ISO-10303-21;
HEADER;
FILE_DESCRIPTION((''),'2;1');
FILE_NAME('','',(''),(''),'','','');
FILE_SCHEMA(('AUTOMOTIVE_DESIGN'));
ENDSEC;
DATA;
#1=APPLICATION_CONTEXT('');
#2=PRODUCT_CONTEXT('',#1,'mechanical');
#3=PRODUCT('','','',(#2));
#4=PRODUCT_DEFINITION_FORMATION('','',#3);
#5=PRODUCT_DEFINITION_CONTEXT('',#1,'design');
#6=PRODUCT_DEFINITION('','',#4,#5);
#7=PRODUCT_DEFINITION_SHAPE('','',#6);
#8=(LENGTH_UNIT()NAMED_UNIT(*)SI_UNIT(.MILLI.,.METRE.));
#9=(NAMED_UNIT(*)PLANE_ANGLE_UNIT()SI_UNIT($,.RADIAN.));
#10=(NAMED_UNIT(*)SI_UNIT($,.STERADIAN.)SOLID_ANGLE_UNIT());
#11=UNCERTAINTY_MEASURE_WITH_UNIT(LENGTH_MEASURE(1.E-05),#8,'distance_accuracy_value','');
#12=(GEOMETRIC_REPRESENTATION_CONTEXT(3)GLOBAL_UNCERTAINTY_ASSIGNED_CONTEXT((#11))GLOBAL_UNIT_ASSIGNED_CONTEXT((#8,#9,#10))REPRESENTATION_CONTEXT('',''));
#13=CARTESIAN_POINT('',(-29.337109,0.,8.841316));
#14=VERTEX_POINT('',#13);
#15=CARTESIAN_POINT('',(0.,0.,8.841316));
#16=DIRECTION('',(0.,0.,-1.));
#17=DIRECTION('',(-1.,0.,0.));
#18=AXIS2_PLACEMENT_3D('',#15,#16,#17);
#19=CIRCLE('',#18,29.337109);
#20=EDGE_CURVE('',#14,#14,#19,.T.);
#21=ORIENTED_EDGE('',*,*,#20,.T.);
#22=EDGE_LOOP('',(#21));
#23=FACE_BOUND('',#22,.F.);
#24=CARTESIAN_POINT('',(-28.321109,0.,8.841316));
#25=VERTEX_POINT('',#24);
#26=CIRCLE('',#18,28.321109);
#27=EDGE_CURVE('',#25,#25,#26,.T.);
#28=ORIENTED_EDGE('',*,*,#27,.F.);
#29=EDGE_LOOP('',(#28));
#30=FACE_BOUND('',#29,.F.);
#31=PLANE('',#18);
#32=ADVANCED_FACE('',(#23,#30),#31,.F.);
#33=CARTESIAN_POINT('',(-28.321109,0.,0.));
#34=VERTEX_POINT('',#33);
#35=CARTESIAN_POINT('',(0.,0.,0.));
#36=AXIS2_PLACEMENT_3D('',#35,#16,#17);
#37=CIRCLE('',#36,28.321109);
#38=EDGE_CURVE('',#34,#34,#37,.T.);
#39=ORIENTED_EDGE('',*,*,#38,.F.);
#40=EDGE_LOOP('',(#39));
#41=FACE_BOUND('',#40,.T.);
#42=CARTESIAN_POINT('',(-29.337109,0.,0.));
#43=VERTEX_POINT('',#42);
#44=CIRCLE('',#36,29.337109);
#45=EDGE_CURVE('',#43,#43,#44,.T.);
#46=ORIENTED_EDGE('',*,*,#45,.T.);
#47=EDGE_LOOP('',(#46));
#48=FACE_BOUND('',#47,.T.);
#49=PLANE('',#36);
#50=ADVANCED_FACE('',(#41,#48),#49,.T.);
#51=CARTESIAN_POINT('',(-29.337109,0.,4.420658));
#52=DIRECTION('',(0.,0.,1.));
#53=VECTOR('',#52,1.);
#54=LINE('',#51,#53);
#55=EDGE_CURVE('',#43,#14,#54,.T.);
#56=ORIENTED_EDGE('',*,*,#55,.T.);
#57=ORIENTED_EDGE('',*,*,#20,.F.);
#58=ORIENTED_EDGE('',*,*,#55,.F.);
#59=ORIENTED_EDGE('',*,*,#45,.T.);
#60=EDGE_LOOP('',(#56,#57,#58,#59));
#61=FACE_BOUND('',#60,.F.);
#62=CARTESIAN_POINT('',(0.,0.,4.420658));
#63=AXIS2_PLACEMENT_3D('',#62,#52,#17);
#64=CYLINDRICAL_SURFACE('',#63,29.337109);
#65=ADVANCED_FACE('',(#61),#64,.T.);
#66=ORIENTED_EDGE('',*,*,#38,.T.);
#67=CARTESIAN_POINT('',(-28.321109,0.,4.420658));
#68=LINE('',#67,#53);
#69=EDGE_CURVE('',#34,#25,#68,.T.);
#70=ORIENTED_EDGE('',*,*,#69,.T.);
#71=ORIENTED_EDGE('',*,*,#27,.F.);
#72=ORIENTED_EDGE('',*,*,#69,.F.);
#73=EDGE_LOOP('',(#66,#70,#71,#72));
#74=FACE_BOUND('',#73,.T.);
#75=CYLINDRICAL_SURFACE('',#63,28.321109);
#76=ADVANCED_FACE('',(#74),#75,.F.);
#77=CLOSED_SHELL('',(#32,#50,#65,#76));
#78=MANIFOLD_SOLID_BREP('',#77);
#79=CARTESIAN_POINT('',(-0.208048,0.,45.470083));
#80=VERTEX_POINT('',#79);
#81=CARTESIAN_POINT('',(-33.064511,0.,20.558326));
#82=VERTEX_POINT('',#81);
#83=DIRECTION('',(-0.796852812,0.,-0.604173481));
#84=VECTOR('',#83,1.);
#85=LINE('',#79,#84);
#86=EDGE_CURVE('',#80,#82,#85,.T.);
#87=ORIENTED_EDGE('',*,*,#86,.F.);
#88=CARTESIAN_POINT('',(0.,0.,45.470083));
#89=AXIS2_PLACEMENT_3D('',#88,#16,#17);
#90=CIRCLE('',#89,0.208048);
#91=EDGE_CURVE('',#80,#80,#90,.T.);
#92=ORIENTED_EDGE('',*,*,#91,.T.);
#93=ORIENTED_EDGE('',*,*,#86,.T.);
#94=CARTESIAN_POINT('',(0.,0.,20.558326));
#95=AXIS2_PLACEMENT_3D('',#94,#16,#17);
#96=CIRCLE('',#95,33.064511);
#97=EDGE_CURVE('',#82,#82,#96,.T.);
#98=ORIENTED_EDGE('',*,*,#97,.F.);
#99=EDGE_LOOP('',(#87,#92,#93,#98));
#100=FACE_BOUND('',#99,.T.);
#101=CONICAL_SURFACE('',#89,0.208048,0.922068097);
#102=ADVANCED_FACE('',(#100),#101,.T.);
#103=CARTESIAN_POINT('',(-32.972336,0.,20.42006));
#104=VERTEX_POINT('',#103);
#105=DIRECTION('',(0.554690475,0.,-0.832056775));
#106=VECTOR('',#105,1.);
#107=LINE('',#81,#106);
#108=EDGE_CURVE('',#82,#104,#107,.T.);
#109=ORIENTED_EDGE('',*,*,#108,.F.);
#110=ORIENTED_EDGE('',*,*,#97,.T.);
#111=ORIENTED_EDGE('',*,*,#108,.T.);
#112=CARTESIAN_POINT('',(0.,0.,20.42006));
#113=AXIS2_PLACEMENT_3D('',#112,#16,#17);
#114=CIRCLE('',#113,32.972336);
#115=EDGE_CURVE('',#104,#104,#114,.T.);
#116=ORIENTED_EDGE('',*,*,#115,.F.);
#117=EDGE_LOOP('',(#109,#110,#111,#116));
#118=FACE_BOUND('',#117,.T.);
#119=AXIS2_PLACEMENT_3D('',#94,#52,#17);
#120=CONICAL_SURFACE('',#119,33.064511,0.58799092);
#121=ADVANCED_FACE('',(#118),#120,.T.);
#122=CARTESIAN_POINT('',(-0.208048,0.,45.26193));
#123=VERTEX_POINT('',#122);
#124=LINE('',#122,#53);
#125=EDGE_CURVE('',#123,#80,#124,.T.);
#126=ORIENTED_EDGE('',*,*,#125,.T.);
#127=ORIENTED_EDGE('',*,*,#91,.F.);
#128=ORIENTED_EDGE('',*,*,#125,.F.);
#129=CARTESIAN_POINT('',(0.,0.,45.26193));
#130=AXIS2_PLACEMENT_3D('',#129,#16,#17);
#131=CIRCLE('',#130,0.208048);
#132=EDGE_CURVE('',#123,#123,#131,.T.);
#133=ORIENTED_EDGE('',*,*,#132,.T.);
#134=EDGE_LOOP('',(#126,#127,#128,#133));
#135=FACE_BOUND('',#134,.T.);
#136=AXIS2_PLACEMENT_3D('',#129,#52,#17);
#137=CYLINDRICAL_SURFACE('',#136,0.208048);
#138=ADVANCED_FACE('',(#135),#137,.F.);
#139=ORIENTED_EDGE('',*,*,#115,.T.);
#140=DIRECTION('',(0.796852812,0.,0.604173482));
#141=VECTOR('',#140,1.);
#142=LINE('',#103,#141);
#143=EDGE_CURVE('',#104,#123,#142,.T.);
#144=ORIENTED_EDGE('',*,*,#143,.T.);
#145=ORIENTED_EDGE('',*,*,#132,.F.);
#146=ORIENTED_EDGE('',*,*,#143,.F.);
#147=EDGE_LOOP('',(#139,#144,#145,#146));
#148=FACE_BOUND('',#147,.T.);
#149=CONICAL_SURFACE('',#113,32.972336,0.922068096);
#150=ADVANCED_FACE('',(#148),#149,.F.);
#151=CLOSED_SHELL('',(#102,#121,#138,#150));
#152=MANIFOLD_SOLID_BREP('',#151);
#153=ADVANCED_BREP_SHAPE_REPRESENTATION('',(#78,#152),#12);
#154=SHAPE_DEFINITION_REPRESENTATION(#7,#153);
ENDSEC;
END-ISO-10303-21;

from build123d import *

# Parameters (mm, degrees)
F0_W = 1.016
F0_H = 8.841316


with BuildPart() as f1:
    # F0 (on Front) → F1 (revolve)
    with BuildSketch(Plane.XZ):
        Polygon((-0.208048, 45.26193), (-0.208048, 45.470083), (-33.064511, 20.558326), (-32.972336, 20.42006), align=None)
        with Locations((-28.829109, 4.420658)):
            Rectangle(F0_W, F0_H)
    revolve(axis=Axis((0, 0, 22.817219), (0, 0, -1)))


solid = f1.part
